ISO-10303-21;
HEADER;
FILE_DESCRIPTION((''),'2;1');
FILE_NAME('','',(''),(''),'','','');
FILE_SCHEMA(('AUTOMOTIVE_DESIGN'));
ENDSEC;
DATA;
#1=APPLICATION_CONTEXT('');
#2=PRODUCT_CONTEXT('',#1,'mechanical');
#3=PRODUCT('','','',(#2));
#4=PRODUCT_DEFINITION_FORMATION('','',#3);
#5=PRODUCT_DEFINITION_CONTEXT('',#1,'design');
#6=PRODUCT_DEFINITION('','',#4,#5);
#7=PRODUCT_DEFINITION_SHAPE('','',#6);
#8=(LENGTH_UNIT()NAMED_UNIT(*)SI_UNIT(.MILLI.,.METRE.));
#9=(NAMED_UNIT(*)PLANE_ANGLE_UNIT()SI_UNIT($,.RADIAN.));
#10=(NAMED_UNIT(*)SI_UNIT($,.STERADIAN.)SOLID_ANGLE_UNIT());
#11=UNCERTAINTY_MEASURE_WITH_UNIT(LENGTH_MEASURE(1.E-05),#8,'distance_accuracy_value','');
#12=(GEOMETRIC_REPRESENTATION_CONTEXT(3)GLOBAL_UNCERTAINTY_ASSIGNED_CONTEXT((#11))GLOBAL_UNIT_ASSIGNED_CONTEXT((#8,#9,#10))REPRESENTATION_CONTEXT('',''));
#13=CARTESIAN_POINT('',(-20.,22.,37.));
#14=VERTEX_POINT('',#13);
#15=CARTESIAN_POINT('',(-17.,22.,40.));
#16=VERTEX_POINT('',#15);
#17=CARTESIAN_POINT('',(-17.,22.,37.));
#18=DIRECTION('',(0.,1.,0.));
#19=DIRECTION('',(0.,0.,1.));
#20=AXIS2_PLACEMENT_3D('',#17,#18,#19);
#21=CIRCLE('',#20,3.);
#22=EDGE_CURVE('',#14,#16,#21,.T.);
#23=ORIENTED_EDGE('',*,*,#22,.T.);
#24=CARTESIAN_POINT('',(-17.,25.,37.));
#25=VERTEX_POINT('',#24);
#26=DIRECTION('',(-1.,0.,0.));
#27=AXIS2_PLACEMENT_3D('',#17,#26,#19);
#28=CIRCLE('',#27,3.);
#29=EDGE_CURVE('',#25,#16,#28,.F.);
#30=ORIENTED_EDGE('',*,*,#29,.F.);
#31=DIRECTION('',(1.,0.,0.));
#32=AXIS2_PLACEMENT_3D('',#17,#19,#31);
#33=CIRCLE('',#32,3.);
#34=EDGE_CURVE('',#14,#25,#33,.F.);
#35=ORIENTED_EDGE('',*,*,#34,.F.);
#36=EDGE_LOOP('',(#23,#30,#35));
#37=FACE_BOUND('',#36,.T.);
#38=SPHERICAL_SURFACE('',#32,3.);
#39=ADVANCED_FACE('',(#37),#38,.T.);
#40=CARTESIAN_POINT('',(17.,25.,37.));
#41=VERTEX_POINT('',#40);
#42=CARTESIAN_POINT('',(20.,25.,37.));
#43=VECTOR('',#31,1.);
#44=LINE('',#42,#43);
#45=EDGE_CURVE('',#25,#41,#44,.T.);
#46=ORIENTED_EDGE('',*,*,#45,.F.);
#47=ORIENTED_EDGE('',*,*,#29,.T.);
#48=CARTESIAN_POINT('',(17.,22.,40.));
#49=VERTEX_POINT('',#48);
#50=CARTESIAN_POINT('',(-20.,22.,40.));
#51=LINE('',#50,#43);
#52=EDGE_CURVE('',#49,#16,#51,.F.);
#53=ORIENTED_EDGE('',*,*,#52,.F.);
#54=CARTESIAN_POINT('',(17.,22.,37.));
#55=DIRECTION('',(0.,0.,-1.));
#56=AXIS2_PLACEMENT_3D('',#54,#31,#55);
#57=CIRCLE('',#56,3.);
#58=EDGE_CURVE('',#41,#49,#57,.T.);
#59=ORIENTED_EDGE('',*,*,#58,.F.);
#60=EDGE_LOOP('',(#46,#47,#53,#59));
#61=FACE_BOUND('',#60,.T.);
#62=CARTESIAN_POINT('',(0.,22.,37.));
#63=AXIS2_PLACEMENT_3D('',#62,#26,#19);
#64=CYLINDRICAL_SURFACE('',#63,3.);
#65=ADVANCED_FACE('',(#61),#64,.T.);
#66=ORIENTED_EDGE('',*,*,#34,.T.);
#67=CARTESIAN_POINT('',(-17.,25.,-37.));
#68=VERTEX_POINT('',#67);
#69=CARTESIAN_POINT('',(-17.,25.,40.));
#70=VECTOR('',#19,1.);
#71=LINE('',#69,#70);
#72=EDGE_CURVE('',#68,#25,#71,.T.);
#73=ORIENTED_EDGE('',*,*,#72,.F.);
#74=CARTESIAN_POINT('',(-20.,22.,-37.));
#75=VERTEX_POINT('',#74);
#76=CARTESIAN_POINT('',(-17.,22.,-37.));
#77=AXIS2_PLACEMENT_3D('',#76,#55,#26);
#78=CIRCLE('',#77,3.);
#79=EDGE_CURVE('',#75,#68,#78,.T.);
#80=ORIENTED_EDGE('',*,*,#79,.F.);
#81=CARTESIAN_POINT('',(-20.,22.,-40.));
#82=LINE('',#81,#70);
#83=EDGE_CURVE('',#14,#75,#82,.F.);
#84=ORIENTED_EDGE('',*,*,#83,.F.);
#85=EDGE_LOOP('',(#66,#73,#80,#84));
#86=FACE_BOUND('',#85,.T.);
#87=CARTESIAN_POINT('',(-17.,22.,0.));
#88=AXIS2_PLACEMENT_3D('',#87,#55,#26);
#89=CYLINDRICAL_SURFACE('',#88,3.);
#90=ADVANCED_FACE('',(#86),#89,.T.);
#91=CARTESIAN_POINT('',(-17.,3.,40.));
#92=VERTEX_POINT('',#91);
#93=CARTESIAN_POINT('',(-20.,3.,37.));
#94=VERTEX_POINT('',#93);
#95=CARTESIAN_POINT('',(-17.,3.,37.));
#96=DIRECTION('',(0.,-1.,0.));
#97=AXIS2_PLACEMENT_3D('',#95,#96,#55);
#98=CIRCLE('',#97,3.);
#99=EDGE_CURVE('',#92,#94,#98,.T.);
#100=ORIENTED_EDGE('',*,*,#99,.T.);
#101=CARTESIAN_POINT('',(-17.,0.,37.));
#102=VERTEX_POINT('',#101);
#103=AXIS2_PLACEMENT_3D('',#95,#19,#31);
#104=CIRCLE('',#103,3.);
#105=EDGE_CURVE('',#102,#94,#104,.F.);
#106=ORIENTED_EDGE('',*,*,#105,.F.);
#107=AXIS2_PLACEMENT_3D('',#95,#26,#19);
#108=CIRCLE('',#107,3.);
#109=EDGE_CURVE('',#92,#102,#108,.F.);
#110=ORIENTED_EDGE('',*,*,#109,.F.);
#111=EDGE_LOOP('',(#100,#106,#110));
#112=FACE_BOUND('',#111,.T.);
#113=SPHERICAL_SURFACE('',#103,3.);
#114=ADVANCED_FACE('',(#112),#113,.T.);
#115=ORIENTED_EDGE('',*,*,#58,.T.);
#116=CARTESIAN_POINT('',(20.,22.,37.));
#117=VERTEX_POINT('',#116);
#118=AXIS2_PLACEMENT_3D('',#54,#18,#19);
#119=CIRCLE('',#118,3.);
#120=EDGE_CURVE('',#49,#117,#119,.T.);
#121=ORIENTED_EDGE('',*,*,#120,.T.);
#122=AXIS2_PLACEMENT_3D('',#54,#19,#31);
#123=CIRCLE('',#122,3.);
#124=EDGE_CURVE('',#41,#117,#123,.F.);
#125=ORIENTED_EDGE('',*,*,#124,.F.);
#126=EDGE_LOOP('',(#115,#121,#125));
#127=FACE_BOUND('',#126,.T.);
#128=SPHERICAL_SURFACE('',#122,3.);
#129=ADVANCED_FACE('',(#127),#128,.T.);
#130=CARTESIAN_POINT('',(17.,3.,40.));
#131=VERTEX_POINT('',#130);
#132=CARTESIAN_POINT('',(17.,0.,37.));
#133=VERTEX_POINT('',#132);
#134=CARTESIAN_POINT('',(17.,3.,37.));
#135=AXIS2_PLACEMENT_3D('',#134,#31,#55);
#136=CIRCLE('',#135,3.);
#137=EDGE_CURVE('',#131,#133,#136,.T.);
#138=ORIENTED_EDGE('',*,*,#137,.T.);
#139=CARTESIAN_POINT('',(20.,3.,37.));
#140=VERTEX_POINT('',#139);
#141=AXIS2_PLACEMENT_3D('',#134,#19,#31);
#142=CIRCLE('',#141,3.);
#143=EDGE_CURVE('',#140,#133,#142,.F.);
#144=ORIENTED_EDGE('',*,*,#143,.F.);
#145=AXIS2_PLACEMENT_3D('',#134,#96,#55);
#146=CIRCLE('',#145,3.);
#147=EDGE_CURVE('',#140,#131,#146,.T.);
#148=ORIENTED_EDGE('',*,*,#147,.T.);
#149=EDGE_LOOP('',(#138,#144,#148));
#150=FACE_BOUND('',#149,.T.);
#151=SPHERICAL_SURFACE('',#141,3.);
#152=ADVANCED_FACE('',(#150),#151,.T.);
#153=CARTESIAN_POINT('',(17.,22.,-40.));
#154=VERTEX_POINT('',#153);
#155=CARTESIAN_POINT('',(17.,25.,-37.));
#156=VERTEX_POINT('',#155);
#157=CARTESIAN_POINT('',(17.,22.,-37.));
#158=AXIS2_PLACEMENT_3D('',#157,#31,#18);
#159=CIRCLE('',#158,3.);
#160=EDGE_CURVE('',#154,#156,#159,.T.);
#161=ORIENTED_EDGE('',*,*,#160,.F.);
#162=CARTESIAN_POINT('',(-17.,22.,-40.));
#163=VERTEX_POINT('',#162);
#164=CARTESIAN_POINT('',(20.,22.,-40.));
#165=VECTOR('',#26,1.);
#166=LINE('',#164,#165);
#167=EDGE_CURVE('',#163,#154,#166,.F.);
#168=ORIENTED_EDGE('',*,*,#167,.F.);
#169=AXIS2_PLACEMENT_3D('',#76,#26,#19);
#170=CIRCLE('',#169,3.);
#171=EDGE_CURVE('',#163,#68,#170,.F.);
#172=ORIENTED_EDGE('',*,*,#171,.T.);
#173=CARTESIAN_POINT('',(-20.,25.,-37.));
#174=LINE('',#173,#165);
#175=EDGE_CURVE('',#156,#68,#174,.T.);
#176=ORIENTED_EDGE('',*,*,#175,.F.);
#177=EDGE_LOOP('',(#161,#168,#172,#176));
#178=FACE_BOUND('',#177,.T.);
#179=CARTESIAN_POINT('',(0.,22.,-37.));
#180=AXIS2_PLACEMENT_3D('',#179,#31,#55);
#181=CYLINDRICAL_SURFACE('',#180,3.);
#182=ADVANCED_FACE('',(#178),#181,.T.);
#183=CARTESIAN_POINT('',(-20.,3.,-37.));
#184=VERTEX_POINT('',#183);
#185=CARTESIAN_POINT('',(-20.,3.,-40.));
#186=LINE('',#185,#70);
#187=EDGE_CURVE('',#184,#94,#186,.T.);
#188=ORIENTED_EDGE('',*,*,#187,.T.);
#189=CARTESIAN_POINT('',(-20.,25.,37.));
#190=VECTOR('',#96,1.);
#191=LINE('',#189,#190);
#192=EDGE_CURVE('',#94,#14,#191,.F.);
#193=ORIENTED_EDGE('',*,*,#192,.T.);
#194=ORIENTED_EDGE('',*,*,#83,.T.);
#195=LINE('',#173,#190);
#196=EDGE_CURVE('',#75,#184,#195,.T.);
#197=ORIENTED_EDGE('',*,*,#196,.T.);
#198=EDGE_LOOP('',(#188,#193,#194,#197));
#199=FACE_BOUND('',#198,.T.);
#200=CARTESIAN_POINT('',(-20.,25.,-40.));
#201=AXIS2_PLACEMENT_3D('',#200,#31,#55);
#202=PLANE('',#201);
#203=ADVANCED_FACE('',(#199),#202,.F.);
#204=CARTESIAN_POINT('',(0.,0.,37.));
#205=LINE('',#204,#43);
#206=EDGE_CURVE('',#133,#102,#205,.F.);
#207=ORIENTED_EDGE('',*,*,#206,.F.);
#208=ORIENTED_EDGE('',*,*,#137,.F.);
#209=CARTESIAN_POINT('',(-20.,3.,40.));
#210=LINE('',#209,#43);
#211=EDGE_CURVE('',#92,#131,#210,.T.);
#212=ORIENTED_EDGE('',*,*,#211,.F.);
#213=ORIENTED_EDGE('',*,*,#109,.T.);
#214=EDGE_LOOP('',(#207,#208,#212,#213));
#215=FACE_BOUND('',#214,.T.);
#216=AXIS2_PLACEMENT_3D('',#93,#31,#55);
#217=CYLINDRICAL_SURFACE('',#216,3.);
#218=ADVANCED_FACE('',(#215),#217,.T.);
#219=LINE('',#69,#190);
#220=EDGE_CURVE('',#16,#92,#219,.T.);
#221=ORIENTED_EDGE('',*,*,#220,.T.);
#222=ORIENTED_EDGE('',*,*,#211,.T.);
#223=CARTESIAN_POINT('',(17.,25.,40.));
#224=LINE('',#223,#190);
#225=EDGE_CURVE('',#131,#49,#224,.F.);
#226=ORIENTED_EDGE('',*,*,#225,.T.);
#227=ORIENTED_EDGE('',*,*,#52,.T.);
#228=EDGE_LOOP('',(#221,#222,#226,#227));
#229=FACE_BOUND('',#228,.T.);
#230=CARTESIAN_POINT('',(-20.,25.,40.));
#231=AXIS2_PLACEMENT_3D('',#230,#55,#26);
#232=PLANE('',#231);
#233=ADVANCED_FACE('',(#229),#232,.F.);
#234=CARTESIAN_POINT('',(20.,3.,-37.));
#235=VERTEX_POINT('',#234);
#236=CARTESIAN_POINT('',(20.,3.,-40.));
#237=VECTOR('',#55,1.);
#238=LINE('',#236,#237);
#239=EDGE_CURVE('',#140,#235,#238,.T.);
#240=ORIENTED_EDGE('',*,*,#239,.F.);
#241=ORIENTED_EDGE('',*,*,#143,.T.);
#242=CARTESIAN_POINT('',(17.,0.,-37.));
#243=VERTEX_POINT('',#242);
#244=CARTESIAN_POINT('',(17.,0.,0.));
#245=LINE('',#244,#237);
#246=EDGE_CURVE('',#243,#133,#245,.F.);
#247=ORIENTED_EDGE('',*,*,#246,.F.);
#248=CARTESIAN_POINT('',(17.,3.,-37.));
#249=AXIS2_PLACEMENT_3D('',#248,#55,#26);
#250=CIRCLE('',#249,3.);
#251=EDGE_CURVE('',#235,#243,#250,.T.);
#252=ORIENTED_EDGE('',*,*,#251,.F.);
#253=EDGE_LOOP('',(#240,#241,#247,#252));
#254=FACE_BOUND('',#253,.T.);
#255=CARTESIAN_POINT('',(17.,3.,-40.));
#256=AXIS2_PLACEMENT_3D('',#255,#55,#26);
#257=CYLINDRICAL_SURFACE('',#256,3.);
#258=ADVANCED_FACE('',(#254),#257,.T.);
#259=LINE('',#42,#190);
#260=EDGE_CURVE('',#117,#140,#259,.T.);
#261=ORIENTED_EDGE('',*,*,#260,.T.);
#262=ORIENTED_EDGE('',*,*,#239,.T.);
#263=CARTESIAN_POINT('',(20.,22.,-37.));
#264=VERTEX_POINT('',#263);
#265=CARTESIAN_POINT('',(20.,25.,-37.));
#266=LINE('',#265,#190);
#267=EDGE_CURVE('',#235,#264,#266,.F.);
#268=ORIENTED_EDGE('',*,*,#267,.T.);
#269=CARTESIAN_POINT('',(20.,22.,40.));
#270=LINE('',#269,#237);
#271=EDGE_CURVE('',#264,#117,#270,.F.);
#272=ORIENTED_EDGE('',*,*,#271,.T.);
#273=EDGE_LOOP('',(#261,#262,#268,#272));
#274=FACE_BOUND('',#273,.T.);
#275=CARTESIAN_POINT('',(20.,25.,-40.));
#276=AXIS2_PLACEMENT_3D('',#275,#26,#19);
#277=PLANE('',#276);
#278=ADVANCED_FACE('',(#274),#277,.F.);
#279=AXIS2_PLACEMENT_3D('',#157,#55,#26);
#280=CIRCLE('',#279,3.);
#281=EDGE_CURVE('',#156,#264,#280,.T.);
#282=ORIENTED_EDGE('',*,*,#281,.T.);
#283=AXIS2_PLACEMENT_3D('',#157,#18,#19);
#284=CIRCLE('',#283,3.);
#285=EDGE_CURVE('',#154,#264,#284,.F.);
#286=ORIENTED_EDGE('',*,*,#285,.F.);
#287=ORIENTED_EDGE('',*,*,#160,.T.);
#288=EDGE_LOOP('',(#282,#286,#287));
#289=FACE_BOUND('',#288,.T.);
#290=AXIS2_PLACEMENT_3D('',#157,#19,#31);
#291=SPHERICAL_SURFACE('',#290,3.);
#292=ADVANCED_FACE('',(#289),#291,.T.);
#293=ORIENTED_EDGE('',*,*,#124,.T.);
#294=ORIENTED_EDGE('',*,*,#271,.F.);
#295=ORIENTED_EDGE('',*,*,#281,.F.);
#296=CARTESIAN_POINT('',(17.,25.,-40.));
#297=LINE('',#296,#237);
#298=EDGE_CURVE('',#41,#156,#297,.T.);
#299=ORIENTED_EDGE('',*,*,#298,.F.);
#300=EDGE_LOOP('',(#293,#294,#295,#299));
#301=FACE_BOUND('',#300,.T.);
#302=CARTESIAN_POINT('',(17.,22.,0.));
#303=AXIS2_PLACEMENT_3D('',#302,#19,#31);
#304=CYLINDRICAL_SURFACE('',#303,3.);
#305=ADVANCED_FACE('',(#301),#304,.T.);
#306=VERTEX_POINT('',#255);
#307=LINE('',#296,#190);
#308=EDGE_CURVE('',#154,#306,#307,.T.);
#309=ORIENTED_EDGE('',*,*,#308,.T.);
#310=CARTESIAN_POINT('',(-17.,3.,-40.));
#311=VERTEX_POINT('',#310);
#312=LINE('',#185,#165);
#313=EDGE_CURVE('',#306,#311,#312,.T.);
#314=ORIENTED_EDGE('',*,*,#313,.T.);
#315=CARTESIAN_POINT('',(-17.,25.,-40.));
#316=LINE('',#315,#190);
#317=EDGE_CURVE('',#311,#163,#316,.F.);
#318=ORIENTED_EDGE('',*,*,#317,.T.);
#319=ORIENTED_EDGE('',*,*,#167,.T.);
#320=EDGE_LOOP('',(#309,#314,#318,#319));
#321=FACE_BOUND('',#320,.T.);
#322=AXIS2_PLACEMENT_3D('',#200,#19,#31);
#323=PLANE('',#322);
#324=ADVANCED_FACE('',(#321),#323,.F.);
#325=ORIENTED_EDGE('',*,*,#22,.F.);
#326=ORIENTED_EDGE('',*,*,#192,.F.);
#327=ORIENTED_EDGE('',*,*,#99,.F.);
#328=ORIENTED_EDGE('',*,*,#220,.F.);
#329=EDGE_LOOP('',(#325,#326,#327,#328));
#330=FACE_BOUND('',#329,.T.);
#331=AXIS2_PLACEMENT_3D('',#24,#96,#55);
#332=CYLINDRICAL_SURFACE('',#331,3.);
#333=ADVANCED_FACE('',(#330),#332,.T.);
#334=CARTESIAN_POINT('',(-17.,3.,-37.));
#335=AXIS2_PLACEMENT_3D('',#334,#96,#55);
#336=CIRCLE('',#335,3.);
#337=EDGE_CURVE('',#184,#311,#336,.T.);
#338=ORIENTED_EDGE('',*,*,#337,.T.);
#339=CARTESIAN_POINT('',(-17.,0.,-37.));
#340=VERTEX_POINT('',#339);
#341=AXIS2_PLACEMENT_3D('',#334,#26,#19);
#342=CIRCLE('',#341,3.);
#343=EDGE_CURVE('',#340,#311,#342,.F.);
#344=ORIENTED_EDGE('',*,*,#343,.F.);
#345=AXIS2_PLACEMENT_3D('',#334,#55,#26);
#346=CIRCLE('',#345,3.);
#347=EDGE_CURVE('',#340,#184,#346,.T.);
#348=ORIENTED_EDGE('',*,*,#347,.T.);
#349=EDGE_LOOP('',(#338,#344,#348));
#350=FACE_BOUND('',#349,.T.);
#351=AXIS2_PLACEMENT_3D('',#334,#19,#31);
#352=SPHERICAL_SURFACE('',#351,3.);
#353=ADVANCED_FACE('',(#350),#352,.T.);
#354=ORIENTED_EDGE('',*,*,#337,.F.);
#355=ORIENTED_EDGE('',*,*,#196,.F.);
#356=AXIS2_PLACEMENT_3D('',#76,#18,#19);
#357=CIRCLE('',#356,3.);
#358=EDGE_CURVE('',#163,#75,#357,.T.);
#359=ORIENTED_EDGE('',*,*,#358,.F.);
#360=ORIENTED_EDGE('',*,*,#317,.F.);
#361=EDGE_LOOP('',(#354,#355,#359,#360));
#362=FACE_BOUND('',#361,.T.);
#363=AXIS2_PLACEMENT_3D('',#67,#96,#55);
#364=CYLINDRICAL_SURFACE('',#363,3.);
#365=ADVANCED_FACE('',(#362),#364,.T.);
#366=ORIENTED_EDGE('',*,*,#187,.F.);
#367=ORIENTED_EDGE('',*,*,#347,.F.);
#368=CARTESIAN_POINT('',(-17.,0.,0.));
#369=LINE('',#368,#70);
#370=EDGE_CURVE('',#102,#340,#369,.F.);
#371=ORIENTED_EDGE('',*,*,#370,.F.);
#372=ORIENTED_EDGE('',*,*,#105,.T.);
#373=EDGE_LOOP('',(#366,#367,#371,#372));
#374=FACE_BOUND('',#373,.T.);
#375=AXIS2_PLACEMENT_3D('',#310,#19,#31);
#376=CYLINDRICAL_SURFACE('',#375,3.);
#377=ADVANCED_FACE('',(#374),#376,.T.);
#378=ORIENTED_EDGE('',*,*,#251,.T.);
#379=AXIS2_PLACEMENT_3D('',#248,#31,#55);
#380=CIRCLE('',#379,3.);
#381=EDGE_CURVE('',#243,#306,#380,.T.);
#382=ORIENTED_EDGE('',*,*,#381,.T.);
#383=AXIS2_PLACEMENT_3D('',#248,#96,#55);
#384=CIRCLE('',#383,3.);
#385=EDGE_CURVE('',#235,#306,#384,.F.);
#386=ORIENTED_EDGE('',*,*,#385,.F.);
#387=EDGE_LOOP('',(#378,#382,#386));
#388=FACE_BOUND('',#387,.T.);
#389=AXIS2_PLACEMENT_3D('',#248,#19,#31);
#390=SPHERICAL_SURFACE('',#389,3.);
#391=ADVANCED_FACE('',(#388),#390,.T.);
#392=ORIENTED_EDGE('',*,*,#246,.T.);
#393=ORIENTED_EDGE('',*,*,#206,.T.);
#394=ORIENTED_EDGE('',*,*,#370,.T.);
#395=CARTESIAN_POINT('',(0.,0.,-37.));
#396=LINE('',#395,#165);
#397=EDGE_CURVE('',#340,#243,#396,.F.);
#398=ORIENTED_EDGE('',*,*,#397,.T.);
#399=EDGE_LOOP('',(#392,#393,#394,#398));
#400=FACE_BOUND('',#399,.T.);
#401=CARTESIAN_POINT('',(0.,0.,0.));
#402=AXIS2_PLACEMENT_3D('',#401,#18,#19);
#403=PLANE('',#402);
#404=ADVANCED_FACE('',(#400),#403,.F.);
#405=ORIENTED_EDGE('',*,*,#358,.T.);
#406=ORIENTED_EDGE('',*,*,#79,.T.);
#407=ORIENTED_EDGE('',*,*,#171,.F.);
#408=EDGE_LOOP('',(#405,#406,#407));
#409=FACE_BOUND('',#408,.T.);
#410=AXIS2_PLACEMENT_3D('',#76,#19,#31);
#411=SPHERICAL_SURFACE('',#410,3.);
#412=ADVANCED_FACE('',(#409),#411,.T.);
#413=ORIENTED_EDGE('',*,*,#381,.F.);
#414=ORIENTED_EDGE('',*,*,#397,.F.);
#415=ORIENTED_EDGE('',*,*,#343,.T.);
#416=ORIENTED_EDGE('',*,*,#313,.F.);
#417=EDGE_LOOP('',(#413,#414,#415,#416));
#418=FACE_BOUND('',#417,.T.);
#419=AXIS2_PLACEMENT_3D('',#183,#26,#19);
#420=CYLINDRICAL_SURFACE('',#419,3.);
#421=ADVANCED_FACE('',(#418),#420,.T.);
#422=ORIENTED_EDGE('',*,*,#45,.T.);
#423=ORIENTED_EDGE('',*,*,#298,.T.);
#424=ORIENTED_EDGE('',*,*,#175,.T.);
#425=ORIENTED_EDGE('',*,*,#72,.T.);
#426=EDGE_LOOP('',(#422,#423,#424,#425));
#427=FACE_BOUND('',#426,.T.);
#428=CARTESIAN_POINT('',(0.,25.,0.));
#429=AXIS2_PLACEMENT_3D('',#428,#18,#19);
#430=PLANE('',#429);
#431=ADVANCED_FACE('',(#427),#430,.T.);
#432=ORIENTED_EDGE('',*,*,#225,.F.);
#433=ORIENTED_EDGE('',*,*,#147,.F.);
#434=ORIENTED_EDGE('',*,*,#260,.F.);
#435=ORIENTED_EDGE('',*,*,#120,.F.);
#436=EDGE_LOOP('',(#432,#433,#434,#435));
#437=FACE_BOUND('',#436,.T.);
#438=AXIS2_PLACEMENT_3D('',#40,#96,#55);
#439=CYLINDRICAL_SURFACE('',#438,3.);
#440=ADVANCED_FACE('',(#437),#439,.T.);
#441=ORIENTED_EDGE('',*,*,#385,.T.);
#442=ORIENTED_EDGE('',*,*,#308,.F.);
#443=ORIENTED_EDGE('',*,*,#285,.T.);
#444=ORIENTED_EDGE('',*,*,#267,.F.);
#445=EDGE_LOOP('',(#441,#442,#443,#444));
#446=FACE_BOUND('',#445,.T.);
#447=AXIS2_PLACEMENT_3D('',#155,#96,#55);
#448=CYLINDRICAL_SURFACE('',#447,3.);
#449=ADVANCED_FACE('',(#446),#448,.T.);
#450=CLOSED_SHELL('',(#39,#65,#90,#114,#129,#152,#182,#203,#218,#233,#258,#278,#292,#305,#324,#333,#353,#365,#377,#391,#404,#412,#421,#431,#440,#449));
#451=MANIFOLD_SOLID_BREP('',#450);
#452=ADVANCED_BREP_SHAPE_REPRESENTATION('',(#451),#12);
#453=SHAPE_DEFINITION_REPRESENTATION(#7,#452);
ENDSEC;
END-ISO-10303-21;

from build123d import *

# Parameters (mm, degrees)
SKETCH1_W           = 40
SKETCH1_H           = 80
BOSS_EXTRUDE1_DEPTH = 25
FILLET2_R           = 3


with BuildPart() as part:
    # Sketch1 → Boss-Extrude1 (new body)
    with BuildSketch(Plane(origin=(0, 0, 0), x_dir=(1, 0, 0), z_dir=(0, 1, 0))):
        Rectangle(SKETCH1_W, SKETCH1_H)
    extrude(amount=BOSS_EXTRUDE1_DEPTH)

    # Fillet2
    fillet2_edges = [part.edges().sort_by_distance(p)[0] for p in [
        (-20, 25, 0),
        (0, 25, 40),
        (20, 25, 0),
        (0, 0, 40),
        (-20, 0, 0),
        (0, 0, -40),
        (20, 0, 0),
        (20, 12.5, 40),
        (-20, 12.5, 40),
        (-20, 12.5, -40),
        (20, 12.5, -40),
        (0, 25, -40),
    ]]
    fillet(fillet2_edges, radius=FILLET2_R)


solid = part.part
